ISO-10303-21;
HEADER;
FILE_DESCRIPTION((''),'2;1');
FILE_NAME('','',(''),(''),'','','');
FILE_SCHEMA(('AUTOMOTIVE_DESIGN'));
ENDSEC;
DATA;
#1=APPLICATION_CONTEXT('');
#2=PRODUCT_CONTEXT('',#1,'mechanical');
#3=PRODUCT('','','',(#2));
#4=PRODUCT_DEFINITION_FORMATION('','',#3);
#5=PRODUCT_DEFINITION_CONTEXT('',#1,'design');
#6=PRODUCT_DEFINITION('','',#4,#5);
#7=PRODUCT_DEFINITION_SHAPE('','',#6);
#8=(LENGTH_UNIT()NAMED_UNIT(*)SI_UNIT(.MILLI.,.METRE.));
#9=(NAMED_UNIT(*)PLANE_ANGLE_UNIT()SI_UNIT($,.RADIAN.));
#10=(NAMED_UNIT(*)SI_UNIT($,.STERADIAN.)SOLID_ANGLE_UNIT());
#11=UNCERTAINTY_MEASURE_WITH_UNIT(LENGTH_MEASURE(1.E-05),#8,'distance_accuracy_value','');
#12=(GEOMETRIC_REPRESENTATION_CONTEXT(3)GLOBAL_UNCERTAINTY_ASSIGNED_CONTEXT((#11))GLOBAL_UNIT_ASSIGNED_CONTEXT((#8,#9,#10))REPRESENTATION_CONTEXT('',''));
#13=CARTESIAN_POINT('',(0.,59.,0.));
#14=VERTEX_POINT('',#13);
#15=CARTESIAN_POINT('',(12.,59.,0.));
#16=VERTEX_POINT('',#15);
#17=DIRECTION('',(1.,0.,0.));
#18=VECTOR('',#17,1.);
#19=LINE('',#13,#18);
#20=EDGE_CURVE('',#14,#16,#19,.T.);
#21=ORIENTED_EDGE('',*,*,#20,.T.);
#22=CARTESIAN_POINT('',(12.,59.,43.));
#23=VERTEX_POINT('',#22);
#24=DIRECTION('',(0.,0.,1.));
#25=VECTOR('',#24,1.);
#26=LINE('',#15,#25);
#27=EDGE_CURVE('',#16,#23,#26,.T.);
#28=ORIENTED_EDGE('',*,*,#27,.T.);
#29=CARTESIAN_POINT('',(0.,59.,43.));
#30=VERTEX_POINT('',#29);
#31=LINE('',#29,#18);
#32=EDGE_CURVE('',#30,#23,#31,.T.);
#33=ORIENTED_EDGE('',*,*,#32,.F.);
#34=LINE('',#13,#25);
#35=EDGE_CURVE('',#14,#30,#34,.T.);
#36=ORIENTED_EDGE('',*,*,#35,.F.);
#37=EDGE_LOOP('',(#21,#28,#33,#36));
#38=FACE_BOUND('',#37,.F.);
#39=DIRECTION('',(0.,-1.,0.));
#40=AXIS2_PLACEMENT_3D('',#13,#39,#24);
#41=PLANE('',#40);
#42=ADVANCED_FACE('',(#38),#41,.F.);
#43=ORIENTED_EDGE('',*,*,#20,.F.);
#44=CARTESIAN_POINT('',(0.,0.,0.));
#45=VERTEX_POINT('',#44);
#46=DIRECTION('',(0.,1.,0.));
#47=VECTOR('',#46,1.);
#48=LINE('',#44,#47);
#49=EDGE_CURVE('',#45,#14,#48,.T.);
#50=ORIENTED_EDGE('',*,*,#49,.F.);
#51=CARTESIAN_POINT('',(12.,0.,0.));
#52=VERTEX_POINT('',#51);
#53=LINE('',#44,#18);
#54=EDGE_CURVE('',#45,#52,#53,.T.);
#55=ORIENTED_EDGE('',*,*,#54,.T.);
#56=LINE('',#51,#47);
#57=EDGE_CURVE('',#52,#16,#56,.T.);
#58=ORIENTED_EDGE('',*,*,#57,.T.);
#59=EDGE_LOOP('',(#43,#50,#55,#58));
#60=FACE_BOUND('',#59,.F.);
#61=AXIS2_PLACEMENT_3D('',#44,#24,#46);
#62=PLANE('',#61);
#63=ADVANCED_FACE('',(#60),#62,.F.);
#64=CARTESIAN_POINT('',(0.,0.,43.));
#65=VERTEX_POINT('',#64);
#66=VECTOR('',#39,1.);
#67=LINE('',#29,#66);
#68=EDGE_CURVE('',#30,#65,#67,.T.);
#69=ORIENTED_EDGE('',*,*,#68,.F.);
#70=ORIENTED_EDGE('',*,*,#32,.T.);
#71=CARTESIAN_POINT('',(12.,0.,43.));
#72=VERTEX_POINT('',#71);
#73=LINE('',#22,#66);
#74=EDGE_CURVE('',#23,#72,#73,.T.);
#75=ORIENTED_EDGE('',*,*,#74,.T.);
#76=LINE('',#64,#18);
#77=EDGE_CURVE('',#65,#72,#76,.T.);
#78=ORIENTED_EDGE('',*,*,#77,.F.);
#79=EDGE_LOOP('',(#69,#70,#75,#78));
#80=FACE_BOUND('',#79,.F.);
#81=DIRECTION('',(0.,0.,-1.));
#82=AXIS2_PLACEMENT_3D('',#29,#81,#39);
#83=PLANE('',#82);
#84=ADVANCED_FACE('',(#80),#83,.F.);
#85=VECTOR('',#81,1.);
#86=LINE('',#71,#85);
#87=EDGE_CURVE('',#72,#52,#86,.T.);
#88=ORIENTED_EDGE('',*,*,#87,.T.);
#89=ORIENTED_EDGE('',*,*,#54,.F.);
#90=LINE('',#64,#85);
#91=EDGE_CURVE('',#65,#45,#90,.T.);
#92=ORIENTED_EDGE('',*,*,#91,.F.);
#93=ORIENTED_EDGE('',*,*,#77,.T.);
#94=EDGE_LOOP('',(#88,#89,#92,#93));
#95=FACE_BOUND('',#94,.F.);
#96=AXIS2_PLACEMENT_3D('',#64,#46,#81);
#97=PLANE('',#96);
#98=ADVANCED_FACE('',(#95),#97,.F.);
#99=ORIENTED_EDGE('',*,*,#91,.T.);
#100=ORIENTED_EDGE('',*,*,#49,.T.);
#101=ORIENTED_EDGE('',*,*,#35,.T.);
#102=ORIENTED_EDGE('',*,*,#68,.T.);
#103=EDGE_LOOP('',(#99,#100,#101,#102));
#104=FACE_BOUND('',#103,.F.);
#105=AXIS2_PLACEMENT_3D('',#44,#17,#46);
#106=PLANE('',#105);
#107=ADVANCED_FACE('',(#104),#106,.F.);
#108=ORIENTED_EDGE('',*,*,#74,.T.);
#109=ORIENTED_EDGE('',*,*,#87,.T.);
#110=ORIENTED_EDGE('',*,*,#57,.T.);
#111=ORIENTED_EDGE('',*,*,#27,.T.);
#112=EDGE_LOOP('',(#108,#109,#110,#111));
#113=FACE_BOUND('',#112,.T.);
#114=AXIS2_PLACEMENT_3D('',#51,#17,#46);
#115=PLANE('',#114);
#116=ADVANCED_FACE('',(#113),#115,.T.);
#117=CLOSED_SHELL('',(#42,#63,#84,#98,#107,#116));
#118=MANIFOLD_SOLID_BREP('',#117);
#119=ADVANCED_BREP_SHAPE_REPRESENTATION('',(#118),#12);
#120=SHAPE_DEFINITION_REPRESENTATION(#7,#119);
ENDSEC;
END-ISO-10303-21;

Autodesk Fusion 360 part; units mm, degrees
sketch "Control Panel Support" plane through (0, 0, 0) normal (1, 0, 0) x (0, 1, 0)
  line L0 (0, 0) -> (59, 0)
  line L1 (59, 0) -> (59, 43)
  line L2 (59, 43) -> (0, 43)
  line L3 (0, 43) -> (0, 0)
  dimension "d1" = 59
  dimension "d2" = 43
extrude "Extrude1" add sketch "Control Panel Support" along normal blind 12
equation "d1 = 65 mm - mdfThickness"
equation "pineThickness = 12 mm" comment "Thickness of the pine planks"
equation "d4 = pineThickness"
equation "mdfThickness = 6 mm" comment "Thickness of the MDF board"
